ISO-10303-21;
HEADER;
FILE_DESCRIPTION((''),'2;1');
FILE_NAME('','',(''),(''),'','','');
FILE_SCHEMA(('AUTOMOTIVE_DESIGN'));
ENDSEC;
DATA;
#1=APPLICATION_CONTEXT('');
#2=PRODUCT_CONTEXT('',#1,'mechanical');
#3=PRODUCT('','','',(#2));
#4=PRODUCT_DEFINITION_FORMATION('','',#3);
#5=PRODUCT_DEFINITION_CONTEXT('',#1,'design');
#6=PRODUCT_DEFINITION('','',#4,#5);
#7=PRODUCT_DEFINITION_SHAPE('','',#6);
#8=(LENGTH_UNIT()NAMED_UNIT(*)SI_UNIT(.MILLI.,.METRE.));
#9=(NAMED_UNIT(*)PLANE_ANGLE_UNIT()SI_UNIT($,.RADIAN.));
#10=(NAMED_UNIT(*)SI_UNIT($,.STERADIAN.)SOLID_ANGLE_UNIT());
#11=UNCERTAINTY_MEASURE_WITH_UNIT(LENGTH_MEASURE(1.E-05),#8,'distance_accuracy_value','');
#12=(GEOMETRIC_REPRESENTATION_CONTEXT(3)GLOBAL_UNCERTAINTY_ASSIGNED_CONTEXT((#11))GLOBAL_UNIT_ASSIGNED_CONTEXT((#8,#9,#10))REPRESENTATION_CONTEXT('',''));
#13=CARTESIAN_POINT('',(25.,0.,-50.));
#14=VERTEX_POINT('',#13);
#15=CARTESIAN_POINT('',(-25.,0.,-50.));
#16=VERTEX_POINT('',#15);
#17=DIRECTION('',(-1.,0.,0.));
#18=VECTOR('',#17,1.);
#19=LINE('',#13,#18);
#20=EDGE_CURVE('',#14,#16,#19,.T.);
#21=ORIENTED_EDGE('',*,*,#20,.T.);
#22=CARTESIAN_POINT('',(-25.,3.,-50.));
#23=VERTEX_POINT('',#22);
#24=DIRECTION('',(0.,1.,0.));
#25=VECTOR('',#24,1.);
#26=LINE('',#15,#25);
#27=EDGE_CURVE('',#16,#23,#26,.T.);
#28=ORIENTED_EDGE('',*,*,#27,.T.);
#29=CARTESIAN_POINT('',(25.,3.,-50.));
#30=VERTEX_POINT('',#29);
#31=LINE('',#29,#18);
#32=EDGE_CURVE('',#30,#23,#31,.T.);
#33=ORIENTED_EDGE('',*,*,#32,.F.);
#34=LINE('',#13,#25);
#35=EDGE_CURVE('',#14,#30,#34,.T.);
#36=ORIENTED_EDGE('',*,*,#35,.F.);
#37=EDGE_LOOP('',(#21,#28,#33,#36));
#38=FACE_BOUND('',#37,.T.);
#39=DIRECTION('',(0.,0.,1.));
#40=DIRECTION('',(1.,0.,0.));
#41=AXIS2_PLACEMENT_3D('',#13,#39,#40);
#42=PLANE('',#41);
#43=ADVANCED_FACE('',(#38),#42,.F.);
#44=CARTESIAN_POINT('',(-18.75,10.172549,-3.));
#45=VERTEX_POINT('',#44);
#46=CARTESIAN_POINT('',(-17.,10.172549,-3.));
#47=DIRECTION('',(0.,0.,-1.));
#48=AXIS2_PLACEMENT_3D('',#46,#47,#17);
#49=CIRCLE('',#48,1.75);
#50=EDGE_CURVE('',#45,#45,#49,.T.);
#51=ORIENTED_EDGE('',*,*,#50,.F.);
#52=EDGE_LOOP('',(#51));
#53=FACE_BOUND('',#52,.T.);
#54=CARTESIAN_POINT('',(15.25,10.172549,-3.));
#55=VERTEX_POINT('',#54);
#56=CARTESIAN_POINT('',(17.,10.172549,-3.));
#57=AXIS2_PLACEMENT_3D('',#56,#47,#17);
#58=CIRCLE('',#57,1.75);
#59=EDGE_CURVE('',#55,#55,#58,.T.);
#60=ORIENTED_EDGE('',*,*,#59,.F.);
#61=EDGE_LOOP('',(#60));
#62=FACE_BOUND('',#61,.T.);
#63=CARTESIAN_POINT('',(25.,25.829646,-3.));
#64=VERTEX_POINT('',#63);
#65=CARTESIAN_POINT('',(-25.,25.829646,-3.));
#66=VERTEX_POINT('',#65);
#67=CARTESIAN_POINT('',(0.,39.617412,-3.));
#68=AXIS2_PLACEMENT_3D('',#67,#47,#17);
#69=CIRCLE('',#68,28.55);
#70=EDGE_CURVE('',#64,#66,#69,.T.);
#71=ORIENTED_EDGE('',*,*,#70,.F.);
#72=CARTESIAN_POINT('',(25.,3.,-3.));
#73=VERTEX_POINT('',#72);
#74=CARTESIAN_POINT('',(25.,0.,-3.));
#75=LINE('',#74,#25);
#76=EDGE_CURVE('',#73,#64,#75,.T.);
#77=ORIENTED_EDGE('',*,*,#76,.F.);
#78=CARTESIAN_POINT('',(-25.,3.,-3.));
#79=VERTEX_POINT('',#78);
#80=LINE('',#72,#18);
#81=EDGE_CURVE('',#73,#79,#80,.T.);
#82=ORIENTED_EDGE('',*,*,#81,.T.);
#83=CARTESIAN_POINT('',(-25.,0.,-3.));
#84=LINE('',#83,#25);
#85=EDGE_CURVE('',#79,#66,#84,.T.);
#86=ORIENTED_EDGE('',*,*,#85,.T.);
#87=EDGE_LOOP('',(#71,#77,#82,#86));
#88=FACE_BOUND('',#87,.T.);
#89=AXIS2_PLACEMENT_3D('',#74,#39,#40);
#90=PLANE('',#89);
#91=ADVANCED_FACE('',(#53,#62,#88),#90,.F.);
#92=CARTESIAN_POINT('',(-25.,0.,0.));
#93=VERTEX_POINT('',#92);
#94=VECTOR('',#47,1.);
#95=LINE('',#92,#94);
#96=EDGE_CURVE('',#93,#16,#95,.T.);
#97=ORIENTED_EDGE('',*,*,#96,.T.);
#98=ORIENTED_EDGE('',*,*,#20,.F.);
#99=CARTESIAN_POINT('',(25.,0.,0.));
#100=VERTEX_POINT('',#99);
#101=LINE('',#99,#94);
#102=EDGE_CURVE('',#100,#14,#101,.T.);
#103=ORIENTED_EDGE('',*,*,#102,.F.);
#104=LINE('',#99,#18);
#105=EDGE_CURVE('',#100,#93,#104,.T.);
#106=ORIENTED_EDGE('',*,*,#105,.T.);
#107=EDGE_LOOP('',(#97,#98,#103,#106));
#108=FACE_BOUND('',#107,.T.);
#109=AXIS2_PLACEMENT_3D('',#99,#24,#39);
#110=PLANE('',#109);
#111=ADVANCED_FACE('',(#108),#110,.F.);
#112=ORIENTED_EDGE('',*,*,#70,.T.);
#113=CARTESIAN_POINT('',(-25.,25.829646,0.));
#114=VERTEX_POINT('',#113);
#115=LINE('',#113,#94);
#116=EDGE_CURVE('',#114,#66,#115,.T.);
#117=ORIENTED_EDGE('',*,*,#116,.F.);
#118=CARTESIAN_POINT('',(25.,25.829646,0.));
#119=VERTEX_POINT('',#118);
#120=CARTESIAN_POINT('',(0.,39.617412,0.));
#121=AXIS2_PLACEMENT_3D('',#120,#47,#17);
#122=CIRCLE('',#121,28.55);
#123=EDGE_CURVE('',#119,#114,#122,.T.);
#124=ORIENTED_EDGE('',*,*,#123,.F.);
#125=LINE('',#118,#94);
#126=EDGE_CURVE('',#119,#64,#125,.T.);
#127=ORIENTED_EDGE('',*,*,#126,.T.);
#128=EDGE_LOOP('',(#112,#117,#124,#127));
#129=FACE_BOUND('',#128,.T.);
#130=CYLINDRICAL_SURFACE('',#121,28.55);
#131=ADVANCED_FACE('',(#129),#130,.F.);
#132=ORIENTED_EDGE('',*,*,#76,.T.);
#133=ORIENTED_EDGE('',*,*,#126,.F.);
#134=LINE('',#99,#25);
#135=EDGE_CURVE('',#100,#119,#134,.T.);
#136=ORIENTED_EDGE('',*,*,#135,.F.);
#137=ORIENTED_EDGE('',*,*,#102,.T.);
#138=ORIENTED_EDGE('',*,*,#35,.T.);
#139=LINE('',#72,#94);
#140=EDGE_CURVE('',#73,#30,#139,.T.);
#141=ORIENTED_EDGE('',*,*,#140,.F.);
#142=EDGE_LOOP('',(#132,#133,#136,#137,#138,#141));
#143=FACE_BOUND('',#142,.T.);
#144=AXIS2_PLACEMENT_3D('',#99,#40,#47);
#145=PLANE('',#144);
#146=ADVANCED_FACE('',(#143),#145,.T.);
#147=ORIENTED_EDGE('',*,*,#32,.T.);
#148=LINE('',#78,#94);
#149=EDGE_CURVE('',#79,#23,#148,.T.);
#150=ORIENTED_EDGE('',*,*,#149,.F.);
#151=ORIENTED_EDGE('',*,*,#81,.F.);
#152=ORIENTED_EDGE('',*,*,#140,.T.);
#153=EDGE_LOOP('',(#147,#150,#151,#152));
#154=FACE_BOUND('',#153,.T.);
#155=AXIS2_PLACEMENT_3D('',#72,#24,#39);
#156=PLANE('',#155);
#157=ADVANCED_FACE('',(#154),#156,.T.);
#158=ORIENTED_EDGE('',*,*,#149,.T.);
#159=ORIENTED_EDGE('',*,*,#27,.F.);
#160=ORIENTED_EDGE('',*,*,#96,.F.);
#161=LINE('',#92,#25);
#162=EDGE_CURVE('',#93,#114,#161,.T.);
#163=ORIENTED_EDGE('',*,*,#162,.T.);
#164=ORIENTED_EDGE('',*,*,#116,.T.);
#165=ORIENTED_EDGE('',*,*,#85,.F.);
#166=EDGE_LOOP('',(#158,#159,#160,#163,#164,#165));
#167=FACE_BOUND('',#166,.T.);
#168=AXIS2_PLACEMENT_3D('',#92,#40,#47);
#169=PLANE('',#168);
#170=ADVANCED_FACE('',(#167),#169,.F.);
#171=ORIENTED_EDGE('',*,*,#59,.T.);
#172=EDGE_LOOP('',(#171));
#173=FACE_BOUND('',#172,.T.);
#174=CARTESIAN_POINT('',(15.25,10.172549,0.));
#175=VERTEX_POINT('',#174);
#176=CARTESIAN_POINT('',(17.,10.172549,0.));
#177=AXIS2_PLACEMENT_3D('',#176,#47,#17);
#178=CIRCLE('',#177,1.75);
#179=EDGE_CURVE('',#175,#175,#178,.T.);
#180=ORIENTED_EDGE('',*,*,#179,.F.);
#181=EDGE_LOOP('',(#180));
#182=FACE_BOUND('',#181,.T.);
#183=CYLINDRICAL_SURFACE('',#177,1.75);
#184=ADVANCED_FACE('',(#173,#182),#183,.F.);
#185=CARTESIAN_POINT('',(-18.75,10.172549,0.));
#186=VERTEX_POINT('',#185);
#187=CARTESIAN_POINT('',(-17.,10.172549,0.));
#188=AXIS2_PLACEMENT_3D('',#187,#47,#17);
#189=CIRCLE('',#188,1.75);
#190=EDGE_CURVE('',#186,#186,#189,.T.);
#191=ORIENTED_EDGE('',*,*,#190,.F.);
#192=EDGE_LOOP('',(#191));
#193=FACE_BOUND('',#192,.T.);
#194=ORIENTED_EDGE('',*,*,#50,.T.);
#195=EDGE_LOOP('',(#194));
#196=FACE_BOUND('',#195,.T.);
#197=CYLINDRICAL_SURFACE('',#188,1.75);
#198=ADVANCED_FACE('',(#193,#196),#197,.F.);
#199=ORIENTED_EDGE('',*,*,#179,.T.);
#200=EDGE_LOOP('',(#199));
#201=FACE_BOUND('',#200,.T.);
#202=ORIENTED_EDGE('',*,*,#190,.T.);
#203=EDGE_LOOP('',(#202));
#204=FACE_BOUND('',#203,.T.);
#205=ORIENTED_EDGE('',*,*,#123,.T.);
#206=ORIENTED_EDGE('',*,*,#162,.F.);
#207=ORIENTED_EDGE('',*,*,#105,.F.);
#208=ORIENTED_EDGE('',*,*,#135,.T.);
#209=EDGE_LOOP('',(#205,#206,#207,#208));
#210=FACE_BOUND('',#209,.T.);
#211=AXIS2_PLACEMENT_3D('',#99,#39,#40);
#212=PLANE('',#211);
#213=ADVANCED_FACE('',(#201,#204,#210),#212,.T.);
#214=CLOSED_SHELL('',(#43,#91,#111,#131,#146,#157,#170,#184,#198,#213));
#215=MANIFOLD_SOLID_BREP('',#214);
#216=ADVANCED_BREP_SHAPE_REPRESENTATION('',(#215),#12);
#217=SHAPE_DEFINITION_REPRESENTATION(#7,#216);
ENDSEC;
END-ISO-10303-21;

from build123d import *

# Parameters (mm, degrees)
SKETCH_1_W          = 47
SKETCH_1_H          = 3
EXTRUDE_1_DEPTH     = 25
SKETCH_2_R          = 1.75
SKETCH_2_R_2        = 28.55
CUT_EXTRUDE_1_DEPTH = 4


with BuildPart() as part:
    # 草圖1 → 填料-伸長1 (new body, symmetric)
    with BuildSketch(Plane(origin=(0, 0, 0), x_dir=(0, 0, -1), z_dir=(1, 0, 0))):
        Polygon((0, 50), (0, 0), (3, 0), (3, 3), (3, 50), align=None)
        with Locations((26.5, 1.5)):
            Rectangle(SKETCH_1_W, SKETCH_1_H)
    extrude(amount=EXTRUDE_1_DEPTH, both=True)

    # 草圖2 → 除料-伸長1 (cut, through all)
    with BuildSketch(Plane(origin=(0, 0, -3), x_dir=(-1, 0, 0), z_dir=(0, 0, -1))):
        with Locations((17, 10.172548614)):
            Circle(SKETCH_2_R)
        with Locations((-17, 10.172548614)):
            Circle(SKETCH_2_R)
        with Locations((-34, 39.617412342)):
            Circle(SKETCH_2_R)
        with Locations((-17, 69.062276071)):
            Circle(SKETCH_2_R)
        with Locations((17, 69.062276071)):
            Circle(SKETCH_2_R)
        with Locations((34, 39.617412342)):
            Circle(SKETCH_2_R)
        with Locations((0, 39.617412342)):
            Circle(SKETCH_2_R_2)
    extrude(amount=-CUT_EXTRUDE_1_DEPTH, mode=Mode.SUBTRACT)


solid = part.part
